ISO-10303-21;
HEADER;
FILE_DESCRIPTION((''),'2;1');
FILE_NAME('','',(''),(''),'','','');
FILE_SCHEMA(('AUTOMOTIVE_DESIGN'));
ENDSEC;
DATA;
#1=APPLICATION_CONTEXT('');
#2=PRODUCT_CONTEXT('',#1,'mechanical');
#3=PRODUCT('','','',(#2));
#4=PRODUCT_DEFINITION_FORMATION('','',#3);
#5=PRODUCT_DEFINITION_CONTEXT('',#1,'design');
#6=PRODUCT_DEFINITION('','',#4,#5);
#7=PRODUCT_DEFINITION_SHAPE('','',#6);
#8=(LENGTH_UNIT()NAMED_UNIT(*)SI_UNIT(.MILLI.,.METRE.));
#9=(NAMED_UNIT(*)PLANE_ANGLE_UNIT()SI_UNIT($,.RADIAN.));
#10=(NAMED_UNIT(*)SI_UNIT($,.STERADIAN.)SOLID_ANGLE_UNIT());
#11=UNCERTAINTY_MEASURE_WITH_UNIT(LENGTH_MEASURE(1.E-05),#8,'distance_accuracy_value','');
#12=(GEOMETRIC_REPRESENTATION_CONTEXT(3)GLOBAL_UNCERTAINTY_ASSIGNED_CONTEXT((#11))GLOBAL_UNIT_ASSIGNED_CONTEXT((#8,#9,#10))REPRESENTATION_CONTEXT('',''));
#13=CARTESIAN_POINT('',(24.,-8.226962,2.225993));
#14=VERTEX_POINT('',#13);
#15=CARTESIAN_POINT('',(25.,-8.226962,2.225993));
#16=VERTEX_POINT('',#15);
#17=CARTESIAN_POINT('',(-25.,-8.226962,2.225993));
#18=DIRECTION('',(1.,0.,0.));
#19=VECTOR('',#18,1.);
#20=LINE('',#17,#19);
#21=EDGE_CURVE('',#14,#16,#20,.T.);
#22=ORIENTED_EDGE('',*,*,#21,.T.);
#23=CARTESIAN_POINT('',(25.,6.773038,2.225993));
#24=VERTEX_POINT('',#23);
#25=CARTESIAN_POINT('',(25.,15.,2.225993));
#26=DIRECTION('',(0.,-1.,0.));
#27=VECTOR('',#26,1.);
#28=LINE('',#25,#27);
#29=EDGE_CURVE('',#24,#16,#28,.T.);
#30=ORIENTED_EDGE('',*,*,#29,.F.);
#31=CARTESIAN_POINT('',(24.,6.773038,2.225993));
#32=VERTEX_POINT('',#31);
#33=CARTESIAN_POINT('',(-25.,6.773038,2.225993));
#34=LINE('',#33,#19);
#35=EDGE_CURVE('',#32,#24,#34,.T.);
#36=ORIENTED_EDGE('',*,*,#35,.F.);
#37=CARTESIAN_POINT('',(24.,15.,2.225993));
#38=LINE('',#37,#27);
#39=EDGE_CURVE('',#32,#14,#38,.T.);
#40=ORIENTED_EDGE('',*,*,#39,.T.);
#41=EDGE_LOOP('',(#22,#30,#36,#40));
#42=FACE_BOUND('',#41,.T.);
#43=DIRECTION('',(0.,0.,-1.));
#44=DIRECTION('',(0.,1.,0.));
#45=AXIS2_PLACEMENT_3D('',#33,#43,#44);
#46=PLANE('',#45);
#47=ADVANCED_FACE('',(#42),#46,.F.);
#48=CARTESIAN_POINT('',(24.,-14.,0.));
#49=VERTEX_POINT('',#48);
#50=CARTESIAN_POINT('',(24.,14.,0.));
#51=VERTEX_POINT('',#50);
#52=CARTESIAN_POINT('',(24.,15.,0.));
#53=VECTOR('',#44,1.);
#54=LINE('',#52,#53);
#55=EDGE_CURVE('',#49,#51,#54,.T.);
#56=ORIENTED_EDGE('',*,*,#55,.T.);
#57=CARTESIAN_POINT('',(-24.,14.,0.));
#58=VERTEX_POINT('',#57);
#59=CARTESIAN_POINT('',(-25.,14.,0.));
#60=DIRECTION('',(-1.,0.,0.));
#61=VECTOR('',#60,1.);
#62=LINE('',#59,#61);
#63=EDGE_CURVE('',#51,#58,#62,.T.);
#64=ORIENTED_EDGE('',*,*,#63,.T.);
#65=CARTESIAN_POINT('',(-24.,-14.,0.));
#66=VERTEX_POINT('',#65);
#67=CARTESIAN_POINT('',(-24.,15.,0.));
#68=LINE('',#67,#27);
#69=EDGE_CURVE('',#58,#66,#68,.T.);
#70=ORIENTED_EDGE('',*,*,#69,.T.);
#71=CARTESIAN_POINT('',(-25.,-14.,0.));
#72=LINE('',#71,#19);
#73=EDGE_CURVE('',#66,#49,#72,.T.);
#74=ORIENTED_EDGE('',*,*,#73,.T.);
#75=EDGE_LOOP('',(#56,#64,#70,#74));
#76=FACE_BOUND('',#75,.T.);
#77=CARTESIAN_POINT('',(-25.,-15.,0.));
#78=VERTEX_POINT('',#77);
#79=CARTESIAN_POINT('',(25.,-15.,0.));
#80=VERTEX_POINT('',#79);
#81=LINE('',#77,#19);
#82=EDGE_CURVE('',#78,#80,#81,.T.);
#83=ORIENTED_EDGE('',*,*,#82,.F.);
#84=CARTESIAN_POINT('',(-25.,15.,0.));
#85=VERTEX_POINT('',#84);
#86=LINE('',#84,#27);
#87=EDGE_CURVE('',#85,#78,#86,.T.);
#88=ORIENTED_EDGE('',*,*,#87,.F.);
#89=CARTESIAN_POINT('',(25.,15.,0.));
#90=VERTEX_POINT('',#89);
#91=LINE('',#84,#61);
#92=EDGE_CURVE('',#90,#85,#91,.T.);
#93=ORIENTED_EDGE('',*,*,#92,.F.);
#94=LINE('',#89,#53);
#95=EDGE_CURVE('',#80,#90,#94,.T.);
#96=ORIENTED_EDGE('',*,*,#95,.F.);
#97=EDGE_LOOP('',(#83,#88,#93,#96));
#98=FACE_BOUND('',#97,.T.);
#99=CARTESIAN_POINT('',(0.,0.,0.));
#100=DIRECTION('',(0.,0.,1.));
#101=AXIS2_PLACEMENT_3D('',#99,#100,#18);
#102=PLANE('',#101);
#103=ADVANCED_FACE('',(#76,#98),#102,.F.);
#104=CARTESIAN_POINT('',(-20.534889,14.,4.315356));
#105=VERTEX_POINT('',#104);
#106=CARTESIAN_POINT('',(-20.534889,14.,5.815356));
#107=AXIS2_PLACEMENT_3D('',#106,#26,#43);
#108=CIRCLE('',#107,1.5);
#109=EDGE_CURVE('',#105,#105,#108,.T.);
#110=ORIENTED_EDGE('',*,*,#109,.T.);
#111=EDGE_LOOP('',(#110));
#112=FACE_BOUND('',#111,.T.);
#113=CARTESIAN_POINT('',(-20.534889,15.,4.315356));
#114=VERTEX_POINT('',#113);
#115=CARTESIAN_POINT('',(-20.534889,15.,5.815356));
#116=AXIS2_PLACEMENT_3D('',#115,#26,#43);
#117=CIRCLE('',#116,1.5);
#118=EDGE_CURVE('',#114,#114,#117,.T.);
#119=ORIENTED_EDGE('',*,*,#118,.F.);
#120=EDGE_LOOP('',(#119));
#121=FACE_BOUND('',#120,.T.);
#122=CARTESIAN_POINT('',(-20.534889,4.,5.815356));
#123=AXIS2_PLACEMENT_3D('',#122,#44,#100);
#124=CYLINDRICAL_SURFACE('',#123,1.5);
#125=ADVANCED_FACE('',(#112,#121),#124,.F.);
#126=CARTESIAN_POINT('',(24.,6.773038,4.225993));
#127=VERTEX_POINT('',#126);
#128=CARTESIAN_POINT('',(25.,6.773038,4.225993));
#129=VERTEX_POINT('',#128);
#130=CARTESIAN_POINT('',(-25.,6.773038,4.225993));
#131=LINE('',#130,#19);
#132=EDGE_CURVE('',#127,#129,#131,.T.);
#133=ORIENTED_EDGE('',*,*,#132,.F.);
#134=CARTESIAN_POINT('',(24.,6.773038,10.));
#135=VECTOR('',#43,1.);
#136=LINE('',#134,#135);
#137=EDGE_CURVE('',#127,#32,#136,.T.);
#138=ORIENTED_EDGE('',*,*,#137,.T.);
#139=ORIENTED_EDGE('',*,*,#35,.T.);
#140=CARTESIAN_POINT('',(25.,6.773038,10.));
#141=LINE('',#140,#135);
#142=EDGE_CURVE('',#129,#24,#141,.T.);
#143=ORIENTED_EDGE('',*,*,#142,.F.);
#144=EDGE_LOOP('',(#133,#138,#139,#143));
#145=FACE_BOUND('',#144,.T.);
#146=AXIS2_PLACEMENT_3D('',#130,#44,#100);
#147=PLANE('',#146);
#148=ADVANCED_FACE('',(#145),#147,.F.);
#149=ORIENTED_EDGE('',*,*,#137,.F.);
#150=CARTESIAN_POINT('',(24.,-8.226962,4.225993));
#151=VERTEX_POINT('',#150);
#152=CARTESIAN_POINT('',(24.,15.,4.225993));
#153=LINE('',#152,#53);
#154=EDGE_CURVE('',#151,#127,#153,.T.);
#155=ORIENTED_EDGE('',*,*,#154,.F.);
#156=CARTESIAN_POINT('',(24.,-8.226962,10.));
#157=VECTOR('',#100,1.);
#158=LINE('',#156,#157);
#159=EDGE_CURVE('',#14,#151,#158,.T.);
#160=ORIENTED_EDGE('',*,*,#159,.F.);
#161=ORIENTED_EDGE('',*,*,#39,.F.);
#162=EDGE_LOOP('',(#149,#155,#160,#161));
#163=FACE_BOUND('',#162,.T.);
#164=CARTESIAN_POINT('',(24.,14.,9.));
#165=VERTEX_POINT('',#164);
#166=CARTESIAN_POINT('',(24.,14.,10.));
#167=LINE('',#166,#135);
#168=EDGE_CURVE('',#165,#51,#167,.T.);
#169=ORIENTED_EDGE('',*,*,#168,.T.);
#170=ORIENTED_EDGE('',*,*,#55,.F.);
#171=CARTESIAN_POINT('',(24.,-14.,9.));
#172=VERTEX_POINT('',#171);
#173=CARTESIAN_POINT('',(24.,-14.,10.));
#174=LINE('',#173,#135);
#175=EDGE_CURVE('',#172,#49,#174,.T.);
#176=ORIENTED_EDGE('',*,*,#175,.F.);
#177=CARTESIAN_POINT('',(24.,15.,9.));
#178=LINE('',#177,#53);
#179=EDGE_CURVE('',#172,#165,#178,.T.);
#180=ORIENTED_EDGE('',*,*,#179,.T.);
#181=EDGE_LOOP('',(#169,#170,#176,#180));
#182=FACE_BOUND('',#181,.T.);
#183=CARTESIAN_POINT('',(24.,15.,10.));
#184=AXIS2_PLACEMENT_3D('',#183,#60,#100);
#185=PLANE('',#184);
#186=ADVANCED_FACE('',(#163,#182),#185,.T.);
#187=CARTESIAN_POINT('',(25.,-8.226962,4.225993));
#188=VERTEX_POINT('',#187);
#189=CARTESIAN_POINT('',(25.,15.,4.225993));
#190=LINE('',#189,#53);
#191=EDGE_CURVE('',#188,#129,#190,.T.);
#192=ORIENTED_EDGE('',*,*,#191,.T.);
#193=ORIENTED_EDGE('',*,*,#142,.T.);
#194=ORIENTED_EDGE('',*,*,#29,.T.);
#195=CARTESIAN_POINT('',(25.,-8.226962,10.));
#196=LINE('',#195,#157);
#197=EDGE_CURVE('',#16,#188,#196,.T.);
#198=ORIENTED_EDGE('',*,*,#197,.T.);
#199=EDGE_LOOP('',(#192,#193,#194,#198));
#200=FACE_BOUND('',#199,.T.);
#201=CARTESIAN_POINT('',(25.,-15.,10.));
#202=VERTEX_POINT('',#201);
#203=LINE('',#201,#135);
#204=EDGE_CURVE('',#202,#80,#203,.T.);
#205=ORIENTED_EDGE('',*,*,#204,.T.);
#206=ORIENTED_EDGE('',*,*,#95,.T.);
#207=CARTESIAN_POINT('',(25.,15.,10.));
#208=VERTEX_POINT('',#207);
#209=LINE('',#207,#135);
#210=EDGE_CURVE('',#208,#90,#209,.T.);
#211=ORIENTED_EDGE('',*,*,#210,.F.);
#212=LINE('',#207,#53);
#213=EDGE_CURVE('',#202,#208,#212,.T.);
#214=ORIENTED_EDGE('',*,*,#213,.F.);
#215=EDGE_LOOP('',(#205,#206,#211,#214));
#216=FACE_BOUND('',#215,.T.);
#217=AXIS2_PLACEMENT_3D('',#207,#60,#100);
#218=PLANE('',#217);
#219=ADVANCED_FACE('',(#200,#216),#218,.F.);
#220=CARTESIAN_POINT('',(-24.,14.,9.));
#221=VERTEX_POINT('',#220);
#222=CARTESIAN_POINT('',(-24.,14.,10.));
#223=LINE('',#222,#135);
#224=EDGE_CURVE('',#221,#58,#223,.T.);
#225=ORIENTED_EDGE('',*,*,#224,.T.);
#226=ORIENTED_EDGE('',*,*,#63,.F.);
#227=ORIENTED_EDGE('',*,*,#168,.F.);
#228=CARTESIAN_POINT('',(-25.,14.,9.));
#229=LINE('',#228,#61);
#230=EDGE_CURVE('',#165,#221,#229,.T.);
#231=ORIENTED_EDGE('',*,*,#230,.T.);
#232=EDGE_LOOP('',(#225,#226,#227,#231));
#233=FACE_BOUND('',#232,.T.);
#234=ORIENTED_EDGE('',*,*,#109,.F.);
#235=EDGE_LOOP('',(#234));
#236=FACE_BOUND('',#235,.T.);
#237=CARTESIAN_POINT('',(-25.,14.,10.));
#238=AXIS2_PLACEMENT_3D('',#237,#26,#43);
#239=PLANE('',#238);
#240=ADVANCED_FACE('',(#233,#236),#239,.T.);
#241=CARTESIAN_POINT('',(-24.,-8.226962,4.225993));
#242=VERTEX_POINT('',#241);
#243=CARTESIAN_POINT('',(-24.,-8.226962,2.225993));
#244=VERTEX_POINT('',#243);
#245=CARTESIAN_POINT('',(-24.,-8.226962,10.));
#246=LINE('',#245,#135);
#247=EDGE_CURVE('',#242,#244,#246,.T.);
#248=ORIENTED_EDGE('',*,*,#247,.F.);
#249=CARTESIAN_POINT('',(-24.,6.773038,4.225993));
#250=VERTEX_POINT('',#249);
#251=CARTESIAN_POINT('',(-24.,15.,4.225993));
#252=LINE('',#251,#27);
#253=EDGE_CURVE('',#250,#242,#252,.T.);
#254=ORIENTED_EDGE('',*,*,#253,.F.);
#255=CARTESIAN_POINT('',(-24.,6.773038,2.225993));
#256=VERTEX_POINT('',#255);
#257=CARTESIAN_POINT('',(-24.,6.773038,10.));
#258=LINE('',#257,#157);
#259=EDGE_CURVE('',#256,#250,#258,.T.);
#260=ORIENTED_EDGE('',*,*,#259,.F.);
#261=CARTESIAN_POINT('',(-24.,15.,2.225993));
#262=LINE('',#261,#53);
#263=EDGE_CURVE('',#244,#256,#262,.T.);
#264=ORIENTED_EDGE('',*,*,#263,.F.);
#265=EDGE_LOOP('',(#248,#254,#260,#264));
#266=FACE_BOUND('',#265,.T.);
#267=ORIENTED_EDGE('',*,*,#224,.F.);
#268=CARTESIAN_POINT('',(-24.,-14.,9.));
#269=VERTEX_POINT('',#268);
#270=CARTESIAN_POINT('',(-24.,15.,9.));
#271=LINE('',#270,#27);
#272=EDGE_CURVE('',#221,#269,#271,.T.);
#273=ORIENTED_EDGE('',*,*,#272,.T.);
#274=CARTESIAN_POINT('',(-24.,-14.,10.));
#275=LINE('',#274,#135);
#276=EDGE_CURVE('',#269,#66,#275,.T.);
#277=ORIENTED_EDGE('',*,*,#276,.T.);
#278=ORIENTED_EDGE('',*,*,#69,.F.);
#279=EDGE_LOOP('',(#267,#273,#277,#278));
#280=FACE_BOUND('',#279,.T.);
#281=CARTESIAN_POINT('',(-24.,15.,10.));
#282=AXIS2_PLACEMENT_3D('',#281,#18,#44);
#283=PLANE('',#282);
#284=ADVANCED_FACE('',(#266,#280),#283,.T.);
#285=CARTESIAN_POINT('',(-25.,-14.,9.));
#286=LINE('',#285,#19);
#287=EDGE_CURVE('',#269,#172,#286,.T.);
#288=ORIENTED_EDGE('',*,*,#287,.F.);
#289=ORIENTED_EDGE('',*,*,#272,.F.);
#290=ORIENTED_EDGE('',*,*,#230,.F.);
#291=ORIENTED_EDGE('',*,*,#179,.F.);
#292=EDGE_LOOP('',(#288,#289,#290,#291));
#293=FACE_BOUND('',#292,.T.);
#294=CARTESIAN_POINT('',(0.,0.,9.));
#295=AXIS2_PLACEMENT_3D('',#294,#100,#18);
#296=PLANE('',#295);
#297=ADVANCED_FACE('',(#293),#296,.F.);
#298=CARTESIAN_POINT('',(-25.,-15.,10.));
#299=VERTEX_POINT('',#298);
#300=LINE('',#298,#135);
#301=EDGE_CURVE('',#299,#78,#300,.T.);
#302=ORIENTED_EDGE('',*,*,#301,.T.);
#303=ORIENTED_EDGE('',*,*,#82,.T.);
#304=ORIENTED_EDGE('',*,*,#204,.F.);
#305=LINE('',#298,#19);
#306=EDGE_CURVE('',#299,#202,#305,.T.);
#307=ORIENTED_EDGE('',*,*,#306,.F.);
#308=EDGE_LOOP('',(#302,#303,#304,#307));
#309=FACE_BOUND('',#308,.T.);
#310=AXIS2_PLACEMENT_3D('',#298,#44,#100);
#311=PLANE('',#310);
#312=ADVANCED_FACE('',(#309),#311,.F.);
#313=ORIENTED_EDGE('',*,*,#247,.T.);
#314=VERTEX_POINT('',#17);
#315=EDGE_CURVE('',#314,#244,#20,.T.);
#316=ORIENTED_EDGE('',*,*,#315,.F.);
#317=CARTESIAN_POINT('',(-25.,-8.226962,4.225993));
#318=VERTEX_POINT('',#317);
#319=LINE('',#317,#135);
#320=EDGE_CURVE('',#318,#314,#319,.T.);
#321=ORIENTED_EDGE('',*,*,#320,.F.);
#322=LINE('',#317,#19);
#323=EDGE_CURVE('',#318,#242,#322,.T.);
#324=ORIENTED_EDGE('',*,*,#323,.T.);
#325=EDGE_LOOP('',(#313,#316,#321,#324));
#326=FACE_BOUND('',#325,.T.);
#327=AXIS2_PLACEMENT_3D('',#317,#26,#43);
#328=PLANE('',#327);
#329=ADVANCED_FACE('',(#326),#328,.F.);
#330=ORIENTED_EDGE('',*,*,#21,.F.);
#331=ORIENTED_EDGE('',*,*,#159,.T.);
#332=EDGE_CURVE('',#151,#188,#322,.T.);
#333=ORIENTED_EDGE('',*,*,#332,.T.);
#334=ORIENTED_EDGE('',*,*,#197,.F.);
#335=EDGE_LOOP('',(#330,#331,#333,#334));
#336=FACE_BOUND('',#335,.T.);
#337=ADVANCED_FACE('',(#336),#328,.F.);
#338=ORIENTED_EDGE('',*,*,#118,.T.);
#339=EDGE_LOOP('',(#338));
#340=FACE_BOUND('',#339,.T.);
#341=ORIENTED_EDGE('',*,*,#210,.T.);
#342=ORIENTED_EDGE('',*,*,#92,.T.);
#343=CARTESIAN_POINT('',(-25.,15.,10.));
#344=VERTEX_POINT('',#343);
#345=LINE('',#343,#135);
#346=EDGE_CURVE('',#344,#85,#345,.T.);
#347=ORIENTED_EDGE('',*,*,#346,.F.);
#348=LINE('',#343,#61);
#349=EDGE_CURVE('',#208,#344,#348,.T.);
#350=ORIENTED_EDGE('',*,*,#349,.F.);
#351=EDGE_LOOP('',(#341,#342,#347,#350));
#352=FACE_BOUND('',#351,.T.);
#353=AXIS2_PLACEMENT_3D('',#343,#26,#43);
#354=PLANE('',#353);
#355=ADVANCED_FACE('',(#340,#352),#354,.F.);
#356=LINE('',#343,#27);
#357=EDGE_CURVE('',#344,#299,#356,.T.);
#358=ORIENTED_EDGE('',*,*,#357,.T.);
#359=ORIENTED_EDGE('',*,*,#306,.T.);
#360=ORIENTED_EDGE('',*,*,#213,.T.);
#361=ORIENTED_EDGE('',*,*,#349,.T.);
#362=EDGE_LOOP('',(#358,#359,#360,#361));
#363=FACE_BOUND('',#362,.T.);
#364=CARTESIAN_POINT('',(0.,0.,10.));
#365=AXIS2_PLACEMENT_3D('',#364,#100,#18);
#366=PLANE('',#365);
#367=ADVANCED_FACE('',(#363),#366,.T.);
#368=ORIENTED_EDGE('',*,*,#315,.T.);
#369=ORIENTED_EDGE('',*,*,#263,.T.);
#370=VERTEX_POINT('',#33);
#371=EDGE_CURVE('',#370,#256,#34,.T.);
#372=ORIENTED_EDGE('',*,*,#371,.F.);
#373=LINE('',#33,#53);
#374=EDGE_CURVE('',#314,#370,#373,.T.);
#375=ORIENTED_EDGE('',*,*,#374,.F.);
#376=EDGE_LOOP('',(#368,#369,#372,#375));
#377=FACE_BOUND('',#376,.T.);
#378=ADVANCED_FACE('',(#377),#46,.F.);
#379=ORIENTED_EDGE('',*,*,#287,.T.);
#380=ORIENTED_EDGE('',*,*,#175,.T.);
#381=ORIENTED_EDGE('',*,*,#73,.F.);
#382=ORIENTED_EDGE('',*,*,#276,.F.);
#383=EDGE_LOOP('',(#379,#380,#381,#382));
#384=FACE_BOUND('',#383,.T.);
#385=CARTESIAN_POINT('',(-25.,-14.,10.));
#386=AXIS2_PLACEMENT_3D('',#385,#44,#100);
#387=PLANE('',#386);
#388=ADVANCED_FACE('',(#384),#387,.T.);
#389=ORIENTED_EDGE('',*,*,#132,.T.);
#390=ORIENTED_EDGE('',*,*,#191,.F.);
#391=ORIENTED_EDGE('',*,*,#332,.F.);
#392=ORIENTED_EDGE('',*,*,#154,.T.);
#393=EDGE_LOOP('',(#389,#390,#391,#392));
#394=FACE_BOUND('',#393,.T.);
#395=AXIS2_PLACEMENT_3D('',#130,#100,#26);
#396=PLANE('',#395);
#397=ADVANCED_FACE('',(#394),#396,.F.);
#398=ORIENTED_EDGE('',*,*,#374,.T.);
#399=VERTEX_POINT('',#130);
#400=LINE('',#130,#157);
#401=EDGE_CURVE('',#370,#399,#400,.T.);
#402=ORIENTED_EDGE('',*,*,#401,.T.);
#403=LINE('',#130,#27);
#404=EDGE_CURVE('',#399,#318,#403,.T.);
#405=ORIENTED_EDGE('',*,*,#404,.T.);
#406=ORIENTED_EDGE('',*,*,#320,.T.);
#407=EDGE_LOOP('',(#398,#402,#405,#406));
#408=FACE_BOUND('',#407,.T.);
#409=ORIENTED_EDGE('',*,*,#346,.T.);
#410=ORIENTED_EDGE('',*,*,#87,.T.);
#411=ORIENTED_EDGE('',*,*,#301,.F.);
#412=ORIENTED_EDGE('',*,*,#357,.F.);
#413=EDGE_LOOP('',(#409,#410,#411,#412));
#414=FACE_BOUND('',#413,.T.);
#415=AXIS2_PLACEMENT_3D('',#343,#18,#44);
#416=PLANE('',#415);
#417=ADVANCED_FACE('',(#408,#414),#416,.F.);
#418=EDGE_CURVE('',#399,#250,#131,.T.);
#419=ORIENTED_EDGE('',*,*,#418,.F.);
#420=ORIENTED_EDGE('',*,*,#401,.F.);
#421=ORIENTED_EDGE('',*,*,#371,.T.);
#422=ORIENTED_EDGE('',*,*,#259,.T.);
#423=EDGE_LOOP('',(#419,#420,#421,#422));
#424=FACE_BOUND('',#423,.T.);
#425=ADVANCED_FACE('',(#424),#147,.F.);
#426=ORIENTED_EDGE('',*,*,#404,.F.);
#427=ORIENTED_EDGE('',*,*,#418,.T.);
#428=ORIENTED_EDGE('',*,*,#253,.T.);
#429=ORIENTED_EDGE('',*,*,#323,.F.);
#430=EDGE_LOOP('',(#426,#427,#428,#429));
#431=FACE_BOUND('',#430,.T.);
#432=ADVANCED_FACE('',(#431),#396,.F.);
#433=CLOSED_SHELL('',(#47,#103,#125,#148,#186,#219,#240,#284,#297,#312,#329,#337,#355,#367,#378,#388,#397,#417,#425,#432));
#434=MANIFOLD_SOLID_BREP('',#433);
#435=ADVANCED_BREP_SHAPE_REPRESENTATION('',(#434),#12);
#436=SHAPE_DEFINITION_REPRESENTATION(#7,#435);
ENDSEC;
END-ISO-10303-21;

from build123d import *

# Parameters (mm, degrees)
SKETCH1_W           = 50
SKETCH1_H           = 30
BOSS_EXTRUDE1_DEPTH = 10
SHELL4_T            = -1
SKETCH9_W           = 2
SKETCH9_H           = 15
CUT_EXTRUDE5_DEPTH  = 63.649820431
SKETCH10_R          = 1.5
CUT_EXTRUDE6_DEPTH  = 21


with BuildPart() as part:
    # Sketch1 → Boss-Extrude1 (new body)
    with BuildSketch(Plane.XY):
        Rectangle(SKETCH1_W, SKETCH1_H)
    extrude(amount=BOSS_EXTRUDE1_DEPTH)

    # Shell4
    shell4_openings = [part.faces().sort_by_distance(p)[0] for p in [
        (0, 0, 0),
    ]]
    offset(amount=SHELL4_T, openings=shell4_openings, kind=Kind.INTERSECTION)

    # Sketch9 → Cut-Extrude5 (cut, through all)
    with BuildSketch(Plane(origin=(35, 0, 0), x_dir=(0, 0, -1), z_dir=(1, 0, 0))):
        with Locations((-3.225993387, -0.726962262)):
            Rectangle(SKETCH9_W, SKETCH9_H)
    extrude(amount=-CUT_EXTRUDE5_DEPTH, mode=Mode.SUBTRACT)

    # Sketch10 → Cut-Extrude6 (cut)
    with BuildSketch(Plane(origin=(0, 25, 0), x_dir=(1, 0, 0), z_dir=(0, 1, 0))):
        with Locations(Location((-20.534888549, -5.815355869, 0), (0, 0, 90))):
            Circle(SKETCH10_R)
    extrude(amount=-CUT_EXTRUDE6_DEPTH, mode=Mode.SUBTRACT)


solid = part.part
